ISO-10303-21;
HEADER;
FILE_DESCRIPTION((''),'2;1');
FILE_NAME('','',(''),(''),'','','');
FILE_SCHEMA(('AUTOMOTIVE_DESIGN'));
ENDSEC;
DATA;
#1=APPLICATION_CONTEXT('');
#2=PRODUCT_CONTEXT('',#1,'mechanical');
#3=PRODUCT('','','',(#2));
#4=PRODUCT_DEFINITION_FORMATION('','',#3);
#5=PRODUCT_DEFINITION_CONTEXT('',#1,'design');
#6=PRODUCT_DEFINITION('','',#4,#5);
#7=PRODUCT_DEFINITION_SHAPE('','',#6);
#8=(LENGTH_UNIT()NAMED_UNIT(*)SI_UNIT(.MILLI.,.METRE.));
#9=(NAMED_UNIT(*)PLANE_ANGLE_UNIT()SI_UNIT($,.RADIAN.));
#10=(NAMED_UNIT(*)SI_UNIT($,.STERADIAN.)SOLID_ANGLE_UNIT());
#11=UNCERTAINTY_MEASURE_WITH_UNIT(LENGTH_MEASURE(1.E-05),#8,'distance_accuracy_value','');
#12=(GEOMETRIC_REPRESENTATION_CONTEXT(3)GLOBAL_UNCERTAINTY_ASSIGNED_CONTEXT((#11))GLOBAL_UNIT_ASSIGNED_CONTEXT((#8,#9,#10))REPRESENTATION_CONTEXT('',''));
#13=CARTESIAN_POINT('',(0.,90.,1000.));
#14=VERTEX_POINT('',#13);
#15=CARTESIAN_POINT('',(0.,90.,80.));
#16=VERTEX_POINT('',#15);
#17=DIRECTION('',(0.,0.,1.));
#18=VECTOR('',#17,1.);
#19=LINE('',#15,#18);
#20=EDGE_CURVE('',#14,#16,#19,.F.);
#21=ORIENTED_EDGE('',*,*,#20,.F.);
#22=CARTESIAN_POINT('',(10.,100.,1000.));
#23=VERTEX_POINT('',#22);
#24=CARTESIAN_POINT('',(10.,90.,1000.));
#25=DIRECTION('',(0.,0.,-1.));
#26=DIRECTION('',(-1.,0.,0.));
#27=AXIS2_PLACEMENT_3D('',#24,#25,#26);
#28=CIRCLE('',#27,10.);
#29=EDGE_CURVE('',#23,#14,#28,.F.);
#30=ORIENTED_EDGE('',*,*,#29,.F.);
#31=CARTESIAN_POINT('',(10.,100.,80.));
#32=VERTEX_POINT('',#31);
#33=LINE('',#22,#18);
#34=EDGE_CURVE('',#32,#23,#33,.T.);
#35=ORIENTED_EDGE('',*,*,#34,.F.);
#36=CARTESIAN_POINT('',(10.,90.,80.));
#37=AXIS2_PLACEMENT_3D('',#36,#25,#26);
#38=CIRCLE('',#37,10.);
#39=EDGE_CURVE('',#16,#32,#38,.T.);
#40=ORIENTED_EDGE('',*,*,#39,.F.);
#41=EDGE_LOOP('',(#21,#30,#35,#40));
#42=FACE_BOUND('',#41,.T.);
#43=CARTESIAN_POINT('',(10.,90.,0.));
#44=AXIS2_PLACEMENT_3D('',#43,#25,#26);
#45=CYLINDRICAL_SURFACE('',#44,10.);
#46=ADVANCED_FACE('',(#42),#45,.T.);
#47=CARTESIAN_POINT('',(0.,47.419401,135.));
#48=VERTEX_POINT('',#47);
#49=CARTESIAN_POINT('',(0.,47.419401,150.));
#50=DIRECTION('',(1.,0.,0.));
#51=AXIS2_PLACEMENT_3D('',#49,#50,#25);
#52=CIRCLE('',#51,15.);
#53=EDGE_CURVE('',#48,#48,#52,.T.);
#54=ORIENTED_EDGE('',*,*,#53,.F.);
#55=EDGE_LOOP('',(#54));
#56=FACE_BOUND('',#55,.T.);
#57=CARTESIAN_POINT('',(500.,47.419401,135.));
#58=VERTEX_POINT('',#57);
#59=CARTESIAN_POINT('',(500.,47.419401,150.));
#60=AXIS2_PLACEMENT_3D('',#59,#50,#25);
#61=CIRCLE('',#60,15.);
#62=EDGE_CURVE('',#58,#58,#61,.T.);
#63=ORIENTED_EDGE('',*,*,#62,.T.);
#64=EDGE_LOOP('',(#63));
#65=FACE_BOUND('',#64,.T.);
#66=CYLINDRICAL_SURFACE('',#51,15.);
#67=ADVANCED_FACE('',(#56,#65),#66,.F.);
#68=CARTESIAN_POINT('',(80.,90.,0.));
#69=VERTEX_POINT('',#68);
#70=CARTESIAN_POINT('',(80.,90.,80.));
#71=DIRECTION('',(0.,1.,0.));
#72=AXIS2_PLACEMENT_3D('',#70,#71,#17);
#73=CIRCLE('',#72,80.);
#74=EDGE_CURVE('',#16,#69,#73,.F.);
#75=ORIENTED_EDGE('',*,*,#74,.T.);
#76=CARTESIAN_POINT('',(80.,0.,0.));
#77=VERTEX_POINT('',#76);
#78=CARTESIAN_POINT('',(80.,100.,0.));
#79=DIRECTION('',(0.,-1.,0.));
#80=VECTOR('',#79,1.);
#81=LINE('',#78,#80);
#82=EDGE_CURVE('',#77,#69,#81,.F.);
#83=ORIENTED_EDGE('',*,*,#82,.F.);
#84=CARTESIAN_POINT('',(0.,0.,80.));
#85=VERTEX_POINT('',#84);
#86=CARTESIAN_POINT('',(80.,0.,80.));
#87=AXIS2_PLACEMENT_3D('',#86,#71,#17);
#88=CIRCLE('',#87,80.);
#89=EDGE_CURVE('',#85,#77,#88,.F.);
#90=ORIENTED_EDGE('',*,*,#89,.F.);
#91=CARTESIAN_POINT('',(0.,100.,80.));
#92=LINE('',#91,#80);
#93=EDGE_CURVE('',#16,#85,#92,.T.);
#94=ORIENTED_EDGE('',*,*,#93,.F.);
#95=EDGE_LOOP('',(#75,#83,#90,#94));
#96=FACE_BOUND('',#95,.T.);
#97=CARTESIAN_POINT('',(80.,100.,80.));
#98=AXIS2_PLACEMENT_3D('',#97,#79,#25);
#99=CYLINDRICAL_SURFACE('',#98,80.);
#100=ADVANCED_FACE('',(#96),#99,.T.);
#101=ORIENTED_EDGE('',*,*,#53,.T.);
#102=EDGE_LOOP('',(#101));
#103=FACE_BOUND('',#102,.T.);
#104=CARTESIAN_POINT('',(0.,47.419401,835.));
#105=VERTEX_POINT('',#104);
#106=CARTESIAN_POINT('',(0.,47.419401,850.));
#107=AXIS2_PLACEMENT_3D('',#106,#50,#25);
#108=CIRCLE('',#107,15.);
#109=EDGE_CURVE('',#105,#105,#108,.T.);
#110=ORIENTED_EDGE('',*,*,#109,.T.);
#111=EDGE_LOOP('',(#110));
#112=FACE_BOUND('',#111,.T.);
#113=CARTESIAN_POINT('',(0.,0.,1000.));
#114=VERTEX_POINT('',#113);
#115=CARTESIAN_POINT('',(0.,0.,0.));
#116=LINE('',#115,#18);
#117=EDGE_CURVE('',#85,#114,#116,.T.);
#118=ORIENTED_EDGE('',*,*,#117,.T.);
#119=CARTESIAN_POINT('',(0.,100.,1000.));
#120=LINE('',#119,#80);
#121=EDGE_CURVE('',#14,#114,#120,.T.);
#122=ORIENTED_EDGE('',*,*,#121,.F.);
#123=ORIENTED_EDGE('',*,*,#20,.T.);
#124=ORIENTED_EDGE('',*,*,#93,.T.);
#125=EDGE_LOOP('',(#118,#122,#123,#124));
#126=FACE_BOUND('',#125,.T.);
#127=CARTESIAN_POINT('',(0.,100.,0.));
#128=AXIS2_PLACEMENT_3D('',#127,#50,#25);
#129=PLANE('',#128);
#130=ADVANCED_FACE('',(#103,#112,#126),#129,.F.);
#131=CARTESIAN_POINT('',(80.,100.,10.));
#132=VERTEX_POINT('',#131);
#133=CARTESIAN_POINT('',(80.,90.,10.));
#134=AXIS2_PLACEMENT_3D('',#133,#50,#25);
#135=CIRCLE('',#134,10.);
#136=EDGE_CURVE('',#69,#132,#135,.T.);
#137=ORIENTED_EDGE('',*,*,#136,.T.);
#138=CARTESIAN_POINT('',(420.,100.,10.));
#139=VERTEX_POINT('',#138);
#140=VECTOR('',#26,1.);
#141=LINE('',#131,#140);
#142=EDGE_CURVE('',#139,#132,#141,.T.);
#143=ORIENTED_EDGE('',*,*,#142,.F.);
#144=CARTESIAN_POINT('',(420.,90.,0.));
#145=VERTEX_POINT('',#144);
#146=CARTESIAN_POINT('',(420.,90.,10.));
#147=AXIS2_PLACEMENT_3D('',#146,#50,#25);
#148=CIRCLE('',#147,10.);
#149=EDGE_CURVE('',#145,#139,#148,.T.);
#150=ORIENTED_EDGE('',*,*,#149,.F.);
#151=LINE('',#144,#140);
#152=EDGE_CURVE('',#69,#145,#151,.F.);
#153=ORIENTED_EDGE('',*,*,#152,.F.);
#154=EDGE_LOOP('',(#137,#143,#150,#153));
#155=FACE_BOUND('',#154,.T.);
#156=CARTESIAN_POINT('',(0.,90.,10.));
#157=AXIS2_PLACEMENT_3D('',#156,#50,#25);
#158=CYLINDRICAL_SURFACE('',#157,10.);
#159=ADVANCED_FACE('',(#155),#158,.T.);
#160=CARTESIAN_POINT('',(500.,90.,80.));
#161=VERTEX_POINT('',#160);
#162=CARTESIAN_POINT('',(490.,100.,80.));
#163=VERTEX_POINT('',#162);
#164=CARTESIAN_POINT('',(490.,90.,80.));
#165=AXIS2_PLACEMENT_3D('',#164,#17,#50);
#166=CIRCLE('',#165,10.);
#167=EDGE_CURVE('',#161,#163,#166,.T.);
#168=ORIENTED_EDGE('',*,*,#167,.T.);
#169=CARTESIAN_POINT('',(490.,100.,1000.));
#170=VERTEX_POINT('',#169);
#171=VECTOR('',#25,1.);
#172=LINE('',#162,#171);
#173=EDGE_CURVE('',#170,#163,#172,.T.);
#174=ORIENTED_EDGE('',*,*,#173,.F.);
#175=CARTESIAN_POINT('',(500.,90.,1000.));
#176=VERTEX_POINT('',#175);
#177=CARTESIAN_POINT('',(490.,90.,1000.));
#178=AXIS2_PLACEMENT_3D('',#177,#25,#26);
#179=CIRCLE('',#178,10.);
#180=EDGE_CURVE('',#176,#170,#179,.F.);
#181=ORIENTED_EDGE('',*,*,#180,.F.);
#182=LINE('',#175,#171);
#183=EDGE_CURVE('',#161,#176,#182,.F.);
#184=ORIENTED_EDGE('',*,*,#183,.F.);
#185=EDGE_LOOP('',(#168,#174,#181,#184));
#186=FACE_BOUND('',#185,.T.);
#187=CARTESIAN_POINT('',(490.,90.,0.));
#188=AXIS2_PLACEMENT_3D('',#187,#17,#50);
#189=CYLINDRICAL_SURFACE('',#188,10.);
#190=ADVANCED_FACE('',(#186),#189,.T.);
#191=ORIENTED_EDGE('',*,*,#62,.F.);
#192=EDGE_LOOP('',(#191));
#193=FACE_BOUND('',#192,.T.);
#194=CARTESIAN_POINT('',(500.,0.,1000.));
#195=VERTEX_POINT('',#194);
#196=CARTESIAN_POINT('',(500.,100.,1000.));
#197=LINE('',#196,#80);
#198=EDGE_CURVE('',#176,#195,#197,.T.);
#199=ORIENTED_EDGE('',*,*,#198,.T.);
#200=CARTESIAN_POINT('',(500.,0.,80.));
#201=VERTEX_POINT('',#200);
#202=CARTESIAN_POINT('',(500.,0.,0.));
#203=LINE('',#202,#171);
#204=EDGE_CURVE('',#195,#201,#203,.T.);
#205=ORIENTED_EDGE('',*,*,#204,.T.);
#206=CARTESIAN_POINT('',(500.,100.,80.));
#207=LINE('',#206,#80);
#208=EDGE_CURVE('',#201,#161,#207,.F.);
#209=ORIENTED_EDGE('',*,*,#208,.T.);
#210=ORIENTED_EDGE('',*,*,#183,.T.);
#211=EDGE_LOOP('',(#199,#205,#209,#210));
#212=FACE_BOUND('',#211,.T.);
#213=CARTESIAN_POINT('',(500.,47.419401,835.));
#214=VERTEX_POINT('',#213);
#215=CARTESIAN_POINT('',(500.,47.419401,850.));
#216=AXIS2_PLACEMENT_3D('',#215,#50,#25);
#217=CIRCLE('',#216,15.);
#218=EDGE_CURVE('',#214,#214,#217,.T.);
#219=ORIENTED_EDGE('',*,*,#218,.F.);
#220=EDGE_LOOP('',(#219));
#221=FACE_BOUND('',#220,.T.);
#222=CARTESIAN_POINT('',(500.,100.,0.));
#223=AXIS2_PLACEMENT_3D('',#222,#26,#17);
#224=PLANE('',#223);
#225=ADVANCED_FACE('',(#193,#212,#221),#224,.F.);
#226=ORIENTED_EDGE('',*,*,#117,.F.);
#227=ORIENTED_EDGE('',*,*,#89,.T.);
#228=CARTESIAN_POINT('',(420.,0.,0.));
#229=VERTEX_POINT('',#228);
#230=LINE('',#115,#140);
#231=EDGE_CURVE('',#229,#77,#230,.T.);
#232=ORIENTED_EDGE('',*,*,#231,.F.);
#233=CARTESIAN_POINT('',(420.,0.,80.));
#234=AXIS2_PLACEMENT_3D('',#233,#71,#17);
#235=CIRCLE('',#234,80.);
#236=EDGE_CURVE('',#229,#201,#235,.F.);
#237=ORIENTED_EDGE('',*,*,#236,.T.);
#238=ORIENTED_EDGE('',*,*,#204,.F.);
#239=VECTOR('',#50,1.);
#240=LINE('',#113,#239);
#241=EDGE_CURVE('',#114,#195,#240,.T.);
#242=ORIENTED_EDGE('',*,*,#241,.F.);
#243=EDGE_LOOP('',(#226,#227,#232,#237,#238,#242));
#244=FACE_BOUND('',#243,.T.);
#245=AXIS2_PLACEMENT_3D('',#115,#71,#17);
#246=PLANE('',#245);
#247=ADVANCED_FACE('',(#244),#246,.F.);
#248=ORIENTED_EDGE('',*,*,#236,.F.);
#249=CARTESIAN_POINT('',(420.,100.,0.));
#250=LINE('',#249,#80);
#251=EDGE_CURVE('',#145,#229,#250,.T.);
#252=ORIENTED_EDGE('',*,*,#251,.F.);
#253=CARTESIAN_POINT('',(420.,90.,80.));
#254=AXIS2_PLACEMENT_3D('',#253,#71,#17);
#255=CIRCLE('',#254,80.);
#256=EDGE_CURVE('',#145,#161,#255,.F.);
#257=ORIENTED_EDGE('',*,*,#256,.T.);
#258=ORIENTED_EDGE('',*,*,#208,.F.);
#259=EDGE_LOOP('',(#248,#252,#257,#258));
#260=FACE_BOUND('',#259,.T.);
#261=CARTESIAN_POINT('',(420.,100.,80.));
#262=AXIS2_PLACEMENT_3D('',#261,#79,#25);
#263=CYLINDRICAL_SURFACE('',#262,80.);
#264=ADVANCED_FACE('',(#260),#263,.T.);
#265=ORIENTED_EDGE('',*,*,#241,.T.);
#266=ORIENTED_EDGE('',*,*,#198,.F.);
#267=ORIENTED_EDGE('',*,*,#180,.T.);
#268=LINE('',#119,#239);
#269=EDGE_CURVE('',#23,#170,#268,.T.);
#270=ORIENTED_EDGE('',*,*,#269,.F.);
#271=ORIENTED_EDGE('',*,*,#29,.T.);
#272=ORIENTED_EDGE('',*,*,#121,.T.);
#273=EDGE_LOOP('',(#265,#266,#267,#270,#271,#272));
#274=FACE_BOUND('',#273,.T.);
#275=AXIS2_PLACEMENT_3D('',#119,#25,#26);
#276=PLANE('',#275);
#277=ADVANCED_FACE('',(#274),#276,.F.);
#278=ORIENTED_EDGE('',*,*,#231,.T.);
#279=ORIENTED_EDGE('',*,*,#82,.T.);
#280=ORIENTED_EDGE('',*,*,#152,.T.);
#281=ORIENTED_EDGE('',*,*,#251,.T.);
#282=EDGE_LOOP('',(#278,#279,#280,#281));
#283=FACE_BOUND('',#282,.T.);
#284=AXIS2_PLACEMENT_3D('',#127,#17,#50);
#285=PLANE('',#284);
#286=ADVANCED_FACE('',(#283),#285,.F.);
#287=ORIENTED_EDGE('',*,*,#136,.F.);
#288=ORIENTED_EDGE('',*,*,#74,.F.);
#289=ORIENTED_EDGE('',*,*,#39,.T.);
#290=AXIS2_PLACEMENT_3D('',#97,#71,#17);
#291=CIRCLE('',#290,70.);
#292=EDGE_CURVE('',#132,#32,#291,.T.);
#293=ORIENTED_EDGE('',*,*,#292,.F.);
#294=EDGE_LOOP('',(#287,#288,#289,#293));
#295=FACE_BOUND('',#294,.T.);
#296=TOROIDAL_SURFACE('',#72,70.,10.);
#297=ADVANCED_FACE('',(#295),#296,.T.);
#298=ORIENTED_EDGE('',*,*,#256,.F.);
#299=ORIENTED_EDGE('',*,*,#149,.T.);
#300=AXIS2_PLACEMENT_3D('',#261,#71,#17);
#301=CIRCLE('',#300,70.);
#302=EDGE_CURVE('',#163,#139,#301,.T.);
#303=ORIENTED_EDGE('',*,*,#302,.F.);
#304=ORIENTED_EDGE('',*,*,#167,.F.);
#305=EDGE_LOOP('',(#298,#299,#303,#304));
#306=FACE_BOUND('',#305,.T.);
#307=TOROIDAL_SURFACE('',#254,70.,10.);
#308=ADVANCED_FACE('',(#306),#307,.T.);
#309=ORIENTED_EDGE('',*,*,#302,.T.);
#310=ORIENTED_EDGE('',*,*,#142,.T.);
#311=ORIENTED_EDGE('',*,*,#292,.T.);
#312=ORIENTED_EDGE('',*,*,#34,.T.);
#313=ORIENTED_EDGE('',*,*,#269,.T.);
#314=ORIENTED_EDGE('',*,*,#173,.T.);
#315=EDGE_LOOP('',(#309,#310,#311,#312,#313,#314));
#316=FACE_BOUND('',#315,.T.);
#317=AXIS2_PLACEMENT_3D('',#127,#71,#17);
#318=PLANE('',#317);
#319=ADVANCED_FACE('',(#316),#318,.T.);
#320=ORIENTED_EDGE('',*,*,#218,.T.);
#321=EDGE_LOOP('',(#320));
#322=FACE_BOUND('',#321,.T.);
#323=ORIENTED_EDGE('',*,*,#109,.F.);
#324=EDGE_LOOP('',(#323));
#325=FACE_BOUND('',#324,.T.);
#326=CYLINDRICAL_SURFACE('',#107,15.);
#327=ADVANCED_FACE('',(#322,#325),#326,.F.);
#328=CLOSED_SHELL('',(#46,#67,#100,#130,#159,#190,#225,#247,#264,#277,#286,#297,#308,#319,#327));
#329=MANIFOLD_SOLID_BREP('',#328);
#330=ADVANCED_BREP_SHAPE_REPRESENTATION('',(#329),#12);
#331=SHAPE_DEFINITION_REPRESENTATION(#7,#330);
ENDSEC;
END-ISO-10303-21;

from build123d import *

# Parameters (mm, degrees)
SKETCH1_W           = 500
SKETCH1_H           = 1000
BOSS_EXTRUDE1_DEPTH = 100
SKETCH2_R           = 15
CUT_EXTRUDE1_DEPTH  = 501
FILLET1_R           = 80
FILLET2_R           = 10


with BuildPart() as part:
    # Sketch1 → Boss-Extrude1 (new body)
    with BuildSketch(Plane(origin=(0, 0, 0), x_dir=(1, 0, 0), z_dir=(0, 1, 0))):
        with Locations((250, -500)):
            Rectangle(SKETCH1_W, SKETCH1_H)
    extrude(amount=BOSS_EXTRUDE1_DEPTH)

    # Sketch2 → Cut-Extrude1 (cut, through all)
    with BuildSketch(Plane(origin=(500, 0, 0), x_dir=(0, 0, -1), z_dir=(1, 0, 0))):
        with Locations((-850, 47.419401297)):
            Circle(SKETCH2_R)
        with Locations((-150, 47.419401297)):
            Circle(SKETCH2_R)
    extrude(amount=-CUT_EXTRUDE1_DEPTH, mode=Mode.SUBTRACT)

    # Fillet1
    fillet1_edges = [part.edges().sort_by_distance(p)[0] for p in [
        (0, 50, 0),
        (500, 50, 0),
    ]]
    fillet(fillet1_edges, radius=FILLET1_R)

    # Fillet2
    fillet2_edges = [part.edges().sort_by_distance(p)[0] for p in [
        (500, 100, 540),
        (250, 100, 0),
        (0, 100, 540),
        (23.431457505, 100, 23.431457505),
        (476.568542495, 100, 23.431457505),
    ]]
    fillet(fillet2_edges, radius=FILLET2_R)


solid = part.part
